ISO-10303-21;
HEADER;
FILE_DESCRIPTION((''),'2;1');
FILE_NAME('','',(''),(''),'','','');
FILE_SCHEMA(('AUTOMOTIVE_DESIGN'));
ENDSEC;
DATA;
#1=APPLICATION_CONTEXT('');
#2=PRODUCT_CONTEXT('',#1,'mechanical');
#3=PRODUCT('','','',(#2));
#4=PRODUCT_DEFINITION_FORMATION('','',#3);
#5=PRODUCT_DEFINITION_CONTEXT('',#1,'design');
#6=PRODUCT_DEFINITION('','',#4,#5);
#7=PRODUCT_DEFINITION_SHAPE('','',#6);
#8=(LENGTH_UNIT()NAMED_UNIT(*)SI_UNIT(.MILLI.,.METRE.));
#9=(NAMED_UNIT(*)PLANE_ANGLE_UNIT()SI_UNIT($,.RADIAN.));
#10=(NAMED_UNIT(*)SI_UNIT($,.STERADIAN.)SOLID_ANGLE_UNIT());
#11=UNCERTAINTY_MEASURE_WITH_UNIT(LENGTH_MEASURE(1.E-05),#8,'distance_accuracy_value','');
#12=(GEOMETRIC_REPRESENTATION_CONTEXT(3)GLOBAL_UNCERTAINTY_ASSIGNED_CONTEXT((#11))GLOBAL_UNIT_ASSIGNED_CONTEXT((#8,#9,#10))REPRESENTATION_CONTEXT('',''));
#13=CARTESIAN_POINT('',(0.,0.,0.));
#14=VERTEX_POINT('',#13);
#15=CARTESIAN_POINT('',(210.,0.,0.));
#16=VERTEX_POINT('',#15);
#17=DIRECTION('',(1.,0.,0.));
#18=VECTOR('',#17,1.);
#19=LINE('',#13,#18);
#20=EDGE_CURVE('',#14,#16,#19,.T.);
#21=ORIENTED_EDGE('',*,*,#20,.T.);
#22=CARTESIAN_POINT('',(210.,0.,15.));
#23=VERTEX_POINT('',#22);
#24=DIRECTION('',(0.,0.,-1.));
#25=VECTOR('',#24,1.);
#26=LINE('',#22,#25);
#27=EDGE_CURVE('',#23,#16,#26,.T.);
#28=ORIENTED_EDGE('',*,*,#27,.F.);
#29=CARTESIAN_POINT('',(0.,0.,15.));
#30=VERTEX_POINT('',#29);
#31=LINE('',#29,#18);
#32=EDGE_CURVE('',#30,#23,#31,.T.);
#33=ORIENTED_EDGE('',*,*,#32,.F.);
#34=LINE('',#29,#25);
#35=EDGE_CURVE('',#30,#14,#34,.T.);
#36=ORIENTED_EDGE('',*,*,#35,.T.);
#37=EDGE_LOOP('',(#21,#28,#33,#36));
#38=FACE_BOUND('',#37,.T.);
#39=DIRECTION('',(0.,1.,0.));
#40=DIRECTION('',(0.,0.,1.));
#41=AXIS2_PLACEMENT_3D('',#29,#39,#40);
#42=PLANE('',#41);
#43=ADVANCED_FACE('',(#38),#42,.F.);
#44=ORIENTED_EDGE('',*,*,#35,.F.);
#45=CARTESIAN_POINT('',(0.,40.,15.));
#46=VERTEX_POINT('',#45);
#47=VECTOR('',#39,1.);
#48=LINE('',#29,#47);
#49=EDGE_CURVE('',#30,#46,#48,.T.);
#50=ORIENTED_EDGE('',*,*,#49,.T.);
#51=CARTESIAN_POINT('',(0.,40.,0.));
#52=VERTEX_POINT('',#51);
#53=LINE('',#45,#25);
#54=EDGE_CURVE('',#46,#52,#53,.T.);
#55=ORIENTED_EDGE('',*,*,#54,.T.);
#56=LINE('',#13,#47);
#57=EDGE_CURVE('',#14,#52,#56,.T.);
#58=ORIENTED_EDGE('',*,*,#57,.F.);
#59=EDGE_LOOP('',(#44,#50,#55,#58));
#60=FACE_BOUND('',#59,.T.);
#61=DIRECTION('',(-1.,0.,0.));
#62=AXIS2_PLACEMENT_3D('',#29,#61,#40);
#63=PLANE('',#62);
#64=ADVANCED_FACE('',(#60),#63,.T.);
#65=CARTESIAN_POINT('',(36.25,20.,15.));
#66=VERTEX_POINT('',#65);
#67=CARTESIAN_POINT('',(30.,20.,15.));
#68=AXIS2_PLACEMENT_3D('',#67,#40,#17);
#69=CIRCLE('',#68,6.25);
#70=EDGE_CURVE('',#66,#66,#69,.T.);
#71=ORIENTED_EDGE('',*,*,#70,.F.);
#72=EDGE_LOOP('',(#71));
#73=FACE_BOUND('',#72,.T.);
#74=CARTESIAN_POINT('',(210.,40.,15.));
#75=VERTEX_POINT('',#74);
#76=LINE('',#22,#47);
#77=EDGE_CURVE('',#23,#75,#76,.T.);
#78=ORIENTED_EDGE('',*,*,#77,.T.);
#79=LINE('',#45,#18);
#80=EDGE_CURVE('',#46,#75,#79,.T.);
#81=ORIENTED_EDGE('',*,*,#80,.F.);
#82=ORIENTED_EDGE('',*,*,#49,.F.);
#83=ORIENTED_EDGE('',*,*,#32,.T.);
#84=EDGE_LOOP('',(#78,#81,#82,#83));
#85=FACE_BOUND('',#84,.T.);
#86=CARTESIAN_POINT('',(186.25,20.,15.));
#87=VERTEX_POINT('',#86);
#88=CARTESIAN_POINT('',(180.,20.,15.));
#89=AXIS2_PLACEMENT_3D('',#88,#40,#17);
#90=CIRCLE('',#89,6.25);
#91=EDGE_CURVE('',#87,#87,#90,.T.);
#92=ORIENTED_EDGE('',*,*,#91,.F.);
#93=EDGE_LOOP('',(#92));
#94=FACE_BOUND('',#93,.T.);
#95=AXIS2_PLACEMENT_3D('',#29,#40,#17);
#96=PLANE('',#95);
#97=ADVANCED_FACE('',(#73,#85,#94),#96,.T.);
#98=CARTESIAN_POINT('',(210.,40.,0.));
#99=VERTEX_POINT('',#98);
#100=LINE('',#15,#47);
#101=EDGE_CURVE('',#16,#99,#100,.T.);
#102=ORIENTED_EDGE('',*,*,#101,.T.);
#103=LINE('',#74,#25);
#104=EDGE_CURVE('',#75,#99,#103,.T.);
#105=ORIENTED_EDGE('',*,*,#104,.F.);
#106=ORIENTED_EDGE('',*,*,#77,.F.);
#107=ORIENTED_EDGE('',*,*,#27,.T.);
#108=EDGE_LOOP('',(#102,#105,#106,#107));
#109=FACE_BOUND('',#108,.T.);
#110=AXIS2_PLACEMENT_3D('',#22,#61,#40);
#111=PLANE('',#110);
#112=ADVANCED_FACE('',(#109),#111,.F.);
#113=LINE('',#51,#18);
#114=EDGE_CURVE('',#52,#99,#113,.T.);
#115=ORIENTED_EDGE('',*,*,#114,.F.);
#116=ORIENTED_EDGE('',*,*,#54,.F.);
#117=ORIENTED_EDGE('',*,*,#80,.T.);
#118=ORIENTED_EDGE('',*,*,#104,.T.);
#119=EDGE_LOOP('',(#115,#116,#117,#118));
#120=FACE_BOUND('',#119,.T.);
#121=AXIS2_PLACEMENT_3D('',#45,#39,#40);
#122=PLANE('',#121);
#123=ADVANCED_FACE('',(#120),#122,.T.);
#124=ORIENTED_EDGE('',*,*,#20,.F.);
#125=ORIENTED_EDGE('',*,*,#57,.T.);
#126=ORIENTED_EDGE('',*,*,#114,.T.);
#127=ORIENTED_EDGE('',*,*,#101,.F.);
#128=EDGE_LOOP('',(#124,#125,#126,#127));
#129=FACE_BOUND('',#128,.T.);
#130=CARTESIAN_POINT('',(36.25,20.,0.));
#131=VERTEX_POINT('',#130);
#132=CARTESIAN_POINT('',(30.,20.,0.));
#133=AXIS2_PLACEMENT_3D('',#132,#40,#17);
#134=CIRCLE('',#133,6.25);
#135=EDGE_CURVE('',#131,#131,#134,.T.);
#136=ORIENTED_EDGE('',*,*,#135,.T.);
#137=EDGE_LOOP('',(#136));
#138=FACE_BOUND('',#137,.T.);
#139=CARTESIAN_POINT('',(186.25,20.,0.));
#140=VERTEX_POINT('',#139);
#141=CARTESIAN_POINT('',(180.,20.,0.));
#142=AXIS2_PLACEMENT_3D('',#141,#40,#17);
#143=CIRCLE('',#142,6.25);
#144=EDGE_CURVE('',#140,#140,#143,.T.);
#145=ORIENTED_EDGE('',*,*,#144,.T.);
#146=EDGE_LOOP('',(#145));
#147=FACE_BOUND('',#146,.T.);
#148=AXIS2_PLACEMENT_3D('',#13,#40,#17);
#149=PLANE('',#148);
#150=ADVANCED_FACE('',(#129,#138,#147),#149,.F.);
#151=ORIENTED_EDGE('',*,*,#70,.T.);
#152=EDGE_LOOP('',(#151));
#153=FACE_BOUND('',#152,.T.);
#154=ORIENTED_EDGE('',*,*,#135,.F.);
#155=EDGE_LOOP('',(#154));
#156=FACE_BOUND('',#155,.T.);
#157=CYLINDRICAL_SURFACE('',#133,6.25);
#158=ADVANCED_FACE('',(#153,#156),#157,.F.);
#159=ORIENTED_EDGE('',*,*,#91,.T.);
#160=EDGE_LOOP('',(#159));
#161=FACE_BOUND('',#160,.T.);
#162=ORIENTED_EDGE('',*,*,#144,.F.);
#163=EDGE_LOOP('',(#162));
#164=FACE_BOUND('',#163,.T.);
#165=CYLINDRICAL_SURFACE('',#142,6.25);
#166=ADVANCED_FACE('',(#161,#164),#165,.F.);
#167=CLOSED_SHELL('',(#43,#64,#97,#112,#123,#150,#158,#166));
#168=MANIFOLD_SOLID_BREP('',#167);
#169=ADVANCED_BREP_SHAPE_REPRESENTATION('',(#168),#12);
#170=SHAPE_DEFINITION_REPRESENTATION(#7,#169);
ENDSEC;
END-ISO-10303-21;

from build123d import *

# Parameters (mm, degrees)
SKETCH1_W           = 210
SKETCH1_H           = 40
BOSS_EXTRUDE1_DEPTH = 15
SKETCH2_R           = 6.25
CUT_EXTRUDE1_DEPTH  = 15


with BuildPart() as part:
    # Sketch1 → Boss-Extrude1 (new body)
    with BuildSketch(Plane.XY):
        with Locations((105, 20)):
            Rectangle(SKETCH1_W, SKETCH1_H)
    extrude(amount=BOSS_EXTRUDE1_DEPTH)

    # Sketch2 → Cut-Extrude1 (cut)
    with BuildSketch(Plane.XY.offset(15)):
        with Locations((30, 20)):
            Circle(SKETCH2_R)
        with Locations((180, 20)):
            Circle(SKETCH2_R)
    extrude(amount=-CUT_EXTRUDE1_DEPTH, mode=Mode.SUBTRACT)


solid = part.part
